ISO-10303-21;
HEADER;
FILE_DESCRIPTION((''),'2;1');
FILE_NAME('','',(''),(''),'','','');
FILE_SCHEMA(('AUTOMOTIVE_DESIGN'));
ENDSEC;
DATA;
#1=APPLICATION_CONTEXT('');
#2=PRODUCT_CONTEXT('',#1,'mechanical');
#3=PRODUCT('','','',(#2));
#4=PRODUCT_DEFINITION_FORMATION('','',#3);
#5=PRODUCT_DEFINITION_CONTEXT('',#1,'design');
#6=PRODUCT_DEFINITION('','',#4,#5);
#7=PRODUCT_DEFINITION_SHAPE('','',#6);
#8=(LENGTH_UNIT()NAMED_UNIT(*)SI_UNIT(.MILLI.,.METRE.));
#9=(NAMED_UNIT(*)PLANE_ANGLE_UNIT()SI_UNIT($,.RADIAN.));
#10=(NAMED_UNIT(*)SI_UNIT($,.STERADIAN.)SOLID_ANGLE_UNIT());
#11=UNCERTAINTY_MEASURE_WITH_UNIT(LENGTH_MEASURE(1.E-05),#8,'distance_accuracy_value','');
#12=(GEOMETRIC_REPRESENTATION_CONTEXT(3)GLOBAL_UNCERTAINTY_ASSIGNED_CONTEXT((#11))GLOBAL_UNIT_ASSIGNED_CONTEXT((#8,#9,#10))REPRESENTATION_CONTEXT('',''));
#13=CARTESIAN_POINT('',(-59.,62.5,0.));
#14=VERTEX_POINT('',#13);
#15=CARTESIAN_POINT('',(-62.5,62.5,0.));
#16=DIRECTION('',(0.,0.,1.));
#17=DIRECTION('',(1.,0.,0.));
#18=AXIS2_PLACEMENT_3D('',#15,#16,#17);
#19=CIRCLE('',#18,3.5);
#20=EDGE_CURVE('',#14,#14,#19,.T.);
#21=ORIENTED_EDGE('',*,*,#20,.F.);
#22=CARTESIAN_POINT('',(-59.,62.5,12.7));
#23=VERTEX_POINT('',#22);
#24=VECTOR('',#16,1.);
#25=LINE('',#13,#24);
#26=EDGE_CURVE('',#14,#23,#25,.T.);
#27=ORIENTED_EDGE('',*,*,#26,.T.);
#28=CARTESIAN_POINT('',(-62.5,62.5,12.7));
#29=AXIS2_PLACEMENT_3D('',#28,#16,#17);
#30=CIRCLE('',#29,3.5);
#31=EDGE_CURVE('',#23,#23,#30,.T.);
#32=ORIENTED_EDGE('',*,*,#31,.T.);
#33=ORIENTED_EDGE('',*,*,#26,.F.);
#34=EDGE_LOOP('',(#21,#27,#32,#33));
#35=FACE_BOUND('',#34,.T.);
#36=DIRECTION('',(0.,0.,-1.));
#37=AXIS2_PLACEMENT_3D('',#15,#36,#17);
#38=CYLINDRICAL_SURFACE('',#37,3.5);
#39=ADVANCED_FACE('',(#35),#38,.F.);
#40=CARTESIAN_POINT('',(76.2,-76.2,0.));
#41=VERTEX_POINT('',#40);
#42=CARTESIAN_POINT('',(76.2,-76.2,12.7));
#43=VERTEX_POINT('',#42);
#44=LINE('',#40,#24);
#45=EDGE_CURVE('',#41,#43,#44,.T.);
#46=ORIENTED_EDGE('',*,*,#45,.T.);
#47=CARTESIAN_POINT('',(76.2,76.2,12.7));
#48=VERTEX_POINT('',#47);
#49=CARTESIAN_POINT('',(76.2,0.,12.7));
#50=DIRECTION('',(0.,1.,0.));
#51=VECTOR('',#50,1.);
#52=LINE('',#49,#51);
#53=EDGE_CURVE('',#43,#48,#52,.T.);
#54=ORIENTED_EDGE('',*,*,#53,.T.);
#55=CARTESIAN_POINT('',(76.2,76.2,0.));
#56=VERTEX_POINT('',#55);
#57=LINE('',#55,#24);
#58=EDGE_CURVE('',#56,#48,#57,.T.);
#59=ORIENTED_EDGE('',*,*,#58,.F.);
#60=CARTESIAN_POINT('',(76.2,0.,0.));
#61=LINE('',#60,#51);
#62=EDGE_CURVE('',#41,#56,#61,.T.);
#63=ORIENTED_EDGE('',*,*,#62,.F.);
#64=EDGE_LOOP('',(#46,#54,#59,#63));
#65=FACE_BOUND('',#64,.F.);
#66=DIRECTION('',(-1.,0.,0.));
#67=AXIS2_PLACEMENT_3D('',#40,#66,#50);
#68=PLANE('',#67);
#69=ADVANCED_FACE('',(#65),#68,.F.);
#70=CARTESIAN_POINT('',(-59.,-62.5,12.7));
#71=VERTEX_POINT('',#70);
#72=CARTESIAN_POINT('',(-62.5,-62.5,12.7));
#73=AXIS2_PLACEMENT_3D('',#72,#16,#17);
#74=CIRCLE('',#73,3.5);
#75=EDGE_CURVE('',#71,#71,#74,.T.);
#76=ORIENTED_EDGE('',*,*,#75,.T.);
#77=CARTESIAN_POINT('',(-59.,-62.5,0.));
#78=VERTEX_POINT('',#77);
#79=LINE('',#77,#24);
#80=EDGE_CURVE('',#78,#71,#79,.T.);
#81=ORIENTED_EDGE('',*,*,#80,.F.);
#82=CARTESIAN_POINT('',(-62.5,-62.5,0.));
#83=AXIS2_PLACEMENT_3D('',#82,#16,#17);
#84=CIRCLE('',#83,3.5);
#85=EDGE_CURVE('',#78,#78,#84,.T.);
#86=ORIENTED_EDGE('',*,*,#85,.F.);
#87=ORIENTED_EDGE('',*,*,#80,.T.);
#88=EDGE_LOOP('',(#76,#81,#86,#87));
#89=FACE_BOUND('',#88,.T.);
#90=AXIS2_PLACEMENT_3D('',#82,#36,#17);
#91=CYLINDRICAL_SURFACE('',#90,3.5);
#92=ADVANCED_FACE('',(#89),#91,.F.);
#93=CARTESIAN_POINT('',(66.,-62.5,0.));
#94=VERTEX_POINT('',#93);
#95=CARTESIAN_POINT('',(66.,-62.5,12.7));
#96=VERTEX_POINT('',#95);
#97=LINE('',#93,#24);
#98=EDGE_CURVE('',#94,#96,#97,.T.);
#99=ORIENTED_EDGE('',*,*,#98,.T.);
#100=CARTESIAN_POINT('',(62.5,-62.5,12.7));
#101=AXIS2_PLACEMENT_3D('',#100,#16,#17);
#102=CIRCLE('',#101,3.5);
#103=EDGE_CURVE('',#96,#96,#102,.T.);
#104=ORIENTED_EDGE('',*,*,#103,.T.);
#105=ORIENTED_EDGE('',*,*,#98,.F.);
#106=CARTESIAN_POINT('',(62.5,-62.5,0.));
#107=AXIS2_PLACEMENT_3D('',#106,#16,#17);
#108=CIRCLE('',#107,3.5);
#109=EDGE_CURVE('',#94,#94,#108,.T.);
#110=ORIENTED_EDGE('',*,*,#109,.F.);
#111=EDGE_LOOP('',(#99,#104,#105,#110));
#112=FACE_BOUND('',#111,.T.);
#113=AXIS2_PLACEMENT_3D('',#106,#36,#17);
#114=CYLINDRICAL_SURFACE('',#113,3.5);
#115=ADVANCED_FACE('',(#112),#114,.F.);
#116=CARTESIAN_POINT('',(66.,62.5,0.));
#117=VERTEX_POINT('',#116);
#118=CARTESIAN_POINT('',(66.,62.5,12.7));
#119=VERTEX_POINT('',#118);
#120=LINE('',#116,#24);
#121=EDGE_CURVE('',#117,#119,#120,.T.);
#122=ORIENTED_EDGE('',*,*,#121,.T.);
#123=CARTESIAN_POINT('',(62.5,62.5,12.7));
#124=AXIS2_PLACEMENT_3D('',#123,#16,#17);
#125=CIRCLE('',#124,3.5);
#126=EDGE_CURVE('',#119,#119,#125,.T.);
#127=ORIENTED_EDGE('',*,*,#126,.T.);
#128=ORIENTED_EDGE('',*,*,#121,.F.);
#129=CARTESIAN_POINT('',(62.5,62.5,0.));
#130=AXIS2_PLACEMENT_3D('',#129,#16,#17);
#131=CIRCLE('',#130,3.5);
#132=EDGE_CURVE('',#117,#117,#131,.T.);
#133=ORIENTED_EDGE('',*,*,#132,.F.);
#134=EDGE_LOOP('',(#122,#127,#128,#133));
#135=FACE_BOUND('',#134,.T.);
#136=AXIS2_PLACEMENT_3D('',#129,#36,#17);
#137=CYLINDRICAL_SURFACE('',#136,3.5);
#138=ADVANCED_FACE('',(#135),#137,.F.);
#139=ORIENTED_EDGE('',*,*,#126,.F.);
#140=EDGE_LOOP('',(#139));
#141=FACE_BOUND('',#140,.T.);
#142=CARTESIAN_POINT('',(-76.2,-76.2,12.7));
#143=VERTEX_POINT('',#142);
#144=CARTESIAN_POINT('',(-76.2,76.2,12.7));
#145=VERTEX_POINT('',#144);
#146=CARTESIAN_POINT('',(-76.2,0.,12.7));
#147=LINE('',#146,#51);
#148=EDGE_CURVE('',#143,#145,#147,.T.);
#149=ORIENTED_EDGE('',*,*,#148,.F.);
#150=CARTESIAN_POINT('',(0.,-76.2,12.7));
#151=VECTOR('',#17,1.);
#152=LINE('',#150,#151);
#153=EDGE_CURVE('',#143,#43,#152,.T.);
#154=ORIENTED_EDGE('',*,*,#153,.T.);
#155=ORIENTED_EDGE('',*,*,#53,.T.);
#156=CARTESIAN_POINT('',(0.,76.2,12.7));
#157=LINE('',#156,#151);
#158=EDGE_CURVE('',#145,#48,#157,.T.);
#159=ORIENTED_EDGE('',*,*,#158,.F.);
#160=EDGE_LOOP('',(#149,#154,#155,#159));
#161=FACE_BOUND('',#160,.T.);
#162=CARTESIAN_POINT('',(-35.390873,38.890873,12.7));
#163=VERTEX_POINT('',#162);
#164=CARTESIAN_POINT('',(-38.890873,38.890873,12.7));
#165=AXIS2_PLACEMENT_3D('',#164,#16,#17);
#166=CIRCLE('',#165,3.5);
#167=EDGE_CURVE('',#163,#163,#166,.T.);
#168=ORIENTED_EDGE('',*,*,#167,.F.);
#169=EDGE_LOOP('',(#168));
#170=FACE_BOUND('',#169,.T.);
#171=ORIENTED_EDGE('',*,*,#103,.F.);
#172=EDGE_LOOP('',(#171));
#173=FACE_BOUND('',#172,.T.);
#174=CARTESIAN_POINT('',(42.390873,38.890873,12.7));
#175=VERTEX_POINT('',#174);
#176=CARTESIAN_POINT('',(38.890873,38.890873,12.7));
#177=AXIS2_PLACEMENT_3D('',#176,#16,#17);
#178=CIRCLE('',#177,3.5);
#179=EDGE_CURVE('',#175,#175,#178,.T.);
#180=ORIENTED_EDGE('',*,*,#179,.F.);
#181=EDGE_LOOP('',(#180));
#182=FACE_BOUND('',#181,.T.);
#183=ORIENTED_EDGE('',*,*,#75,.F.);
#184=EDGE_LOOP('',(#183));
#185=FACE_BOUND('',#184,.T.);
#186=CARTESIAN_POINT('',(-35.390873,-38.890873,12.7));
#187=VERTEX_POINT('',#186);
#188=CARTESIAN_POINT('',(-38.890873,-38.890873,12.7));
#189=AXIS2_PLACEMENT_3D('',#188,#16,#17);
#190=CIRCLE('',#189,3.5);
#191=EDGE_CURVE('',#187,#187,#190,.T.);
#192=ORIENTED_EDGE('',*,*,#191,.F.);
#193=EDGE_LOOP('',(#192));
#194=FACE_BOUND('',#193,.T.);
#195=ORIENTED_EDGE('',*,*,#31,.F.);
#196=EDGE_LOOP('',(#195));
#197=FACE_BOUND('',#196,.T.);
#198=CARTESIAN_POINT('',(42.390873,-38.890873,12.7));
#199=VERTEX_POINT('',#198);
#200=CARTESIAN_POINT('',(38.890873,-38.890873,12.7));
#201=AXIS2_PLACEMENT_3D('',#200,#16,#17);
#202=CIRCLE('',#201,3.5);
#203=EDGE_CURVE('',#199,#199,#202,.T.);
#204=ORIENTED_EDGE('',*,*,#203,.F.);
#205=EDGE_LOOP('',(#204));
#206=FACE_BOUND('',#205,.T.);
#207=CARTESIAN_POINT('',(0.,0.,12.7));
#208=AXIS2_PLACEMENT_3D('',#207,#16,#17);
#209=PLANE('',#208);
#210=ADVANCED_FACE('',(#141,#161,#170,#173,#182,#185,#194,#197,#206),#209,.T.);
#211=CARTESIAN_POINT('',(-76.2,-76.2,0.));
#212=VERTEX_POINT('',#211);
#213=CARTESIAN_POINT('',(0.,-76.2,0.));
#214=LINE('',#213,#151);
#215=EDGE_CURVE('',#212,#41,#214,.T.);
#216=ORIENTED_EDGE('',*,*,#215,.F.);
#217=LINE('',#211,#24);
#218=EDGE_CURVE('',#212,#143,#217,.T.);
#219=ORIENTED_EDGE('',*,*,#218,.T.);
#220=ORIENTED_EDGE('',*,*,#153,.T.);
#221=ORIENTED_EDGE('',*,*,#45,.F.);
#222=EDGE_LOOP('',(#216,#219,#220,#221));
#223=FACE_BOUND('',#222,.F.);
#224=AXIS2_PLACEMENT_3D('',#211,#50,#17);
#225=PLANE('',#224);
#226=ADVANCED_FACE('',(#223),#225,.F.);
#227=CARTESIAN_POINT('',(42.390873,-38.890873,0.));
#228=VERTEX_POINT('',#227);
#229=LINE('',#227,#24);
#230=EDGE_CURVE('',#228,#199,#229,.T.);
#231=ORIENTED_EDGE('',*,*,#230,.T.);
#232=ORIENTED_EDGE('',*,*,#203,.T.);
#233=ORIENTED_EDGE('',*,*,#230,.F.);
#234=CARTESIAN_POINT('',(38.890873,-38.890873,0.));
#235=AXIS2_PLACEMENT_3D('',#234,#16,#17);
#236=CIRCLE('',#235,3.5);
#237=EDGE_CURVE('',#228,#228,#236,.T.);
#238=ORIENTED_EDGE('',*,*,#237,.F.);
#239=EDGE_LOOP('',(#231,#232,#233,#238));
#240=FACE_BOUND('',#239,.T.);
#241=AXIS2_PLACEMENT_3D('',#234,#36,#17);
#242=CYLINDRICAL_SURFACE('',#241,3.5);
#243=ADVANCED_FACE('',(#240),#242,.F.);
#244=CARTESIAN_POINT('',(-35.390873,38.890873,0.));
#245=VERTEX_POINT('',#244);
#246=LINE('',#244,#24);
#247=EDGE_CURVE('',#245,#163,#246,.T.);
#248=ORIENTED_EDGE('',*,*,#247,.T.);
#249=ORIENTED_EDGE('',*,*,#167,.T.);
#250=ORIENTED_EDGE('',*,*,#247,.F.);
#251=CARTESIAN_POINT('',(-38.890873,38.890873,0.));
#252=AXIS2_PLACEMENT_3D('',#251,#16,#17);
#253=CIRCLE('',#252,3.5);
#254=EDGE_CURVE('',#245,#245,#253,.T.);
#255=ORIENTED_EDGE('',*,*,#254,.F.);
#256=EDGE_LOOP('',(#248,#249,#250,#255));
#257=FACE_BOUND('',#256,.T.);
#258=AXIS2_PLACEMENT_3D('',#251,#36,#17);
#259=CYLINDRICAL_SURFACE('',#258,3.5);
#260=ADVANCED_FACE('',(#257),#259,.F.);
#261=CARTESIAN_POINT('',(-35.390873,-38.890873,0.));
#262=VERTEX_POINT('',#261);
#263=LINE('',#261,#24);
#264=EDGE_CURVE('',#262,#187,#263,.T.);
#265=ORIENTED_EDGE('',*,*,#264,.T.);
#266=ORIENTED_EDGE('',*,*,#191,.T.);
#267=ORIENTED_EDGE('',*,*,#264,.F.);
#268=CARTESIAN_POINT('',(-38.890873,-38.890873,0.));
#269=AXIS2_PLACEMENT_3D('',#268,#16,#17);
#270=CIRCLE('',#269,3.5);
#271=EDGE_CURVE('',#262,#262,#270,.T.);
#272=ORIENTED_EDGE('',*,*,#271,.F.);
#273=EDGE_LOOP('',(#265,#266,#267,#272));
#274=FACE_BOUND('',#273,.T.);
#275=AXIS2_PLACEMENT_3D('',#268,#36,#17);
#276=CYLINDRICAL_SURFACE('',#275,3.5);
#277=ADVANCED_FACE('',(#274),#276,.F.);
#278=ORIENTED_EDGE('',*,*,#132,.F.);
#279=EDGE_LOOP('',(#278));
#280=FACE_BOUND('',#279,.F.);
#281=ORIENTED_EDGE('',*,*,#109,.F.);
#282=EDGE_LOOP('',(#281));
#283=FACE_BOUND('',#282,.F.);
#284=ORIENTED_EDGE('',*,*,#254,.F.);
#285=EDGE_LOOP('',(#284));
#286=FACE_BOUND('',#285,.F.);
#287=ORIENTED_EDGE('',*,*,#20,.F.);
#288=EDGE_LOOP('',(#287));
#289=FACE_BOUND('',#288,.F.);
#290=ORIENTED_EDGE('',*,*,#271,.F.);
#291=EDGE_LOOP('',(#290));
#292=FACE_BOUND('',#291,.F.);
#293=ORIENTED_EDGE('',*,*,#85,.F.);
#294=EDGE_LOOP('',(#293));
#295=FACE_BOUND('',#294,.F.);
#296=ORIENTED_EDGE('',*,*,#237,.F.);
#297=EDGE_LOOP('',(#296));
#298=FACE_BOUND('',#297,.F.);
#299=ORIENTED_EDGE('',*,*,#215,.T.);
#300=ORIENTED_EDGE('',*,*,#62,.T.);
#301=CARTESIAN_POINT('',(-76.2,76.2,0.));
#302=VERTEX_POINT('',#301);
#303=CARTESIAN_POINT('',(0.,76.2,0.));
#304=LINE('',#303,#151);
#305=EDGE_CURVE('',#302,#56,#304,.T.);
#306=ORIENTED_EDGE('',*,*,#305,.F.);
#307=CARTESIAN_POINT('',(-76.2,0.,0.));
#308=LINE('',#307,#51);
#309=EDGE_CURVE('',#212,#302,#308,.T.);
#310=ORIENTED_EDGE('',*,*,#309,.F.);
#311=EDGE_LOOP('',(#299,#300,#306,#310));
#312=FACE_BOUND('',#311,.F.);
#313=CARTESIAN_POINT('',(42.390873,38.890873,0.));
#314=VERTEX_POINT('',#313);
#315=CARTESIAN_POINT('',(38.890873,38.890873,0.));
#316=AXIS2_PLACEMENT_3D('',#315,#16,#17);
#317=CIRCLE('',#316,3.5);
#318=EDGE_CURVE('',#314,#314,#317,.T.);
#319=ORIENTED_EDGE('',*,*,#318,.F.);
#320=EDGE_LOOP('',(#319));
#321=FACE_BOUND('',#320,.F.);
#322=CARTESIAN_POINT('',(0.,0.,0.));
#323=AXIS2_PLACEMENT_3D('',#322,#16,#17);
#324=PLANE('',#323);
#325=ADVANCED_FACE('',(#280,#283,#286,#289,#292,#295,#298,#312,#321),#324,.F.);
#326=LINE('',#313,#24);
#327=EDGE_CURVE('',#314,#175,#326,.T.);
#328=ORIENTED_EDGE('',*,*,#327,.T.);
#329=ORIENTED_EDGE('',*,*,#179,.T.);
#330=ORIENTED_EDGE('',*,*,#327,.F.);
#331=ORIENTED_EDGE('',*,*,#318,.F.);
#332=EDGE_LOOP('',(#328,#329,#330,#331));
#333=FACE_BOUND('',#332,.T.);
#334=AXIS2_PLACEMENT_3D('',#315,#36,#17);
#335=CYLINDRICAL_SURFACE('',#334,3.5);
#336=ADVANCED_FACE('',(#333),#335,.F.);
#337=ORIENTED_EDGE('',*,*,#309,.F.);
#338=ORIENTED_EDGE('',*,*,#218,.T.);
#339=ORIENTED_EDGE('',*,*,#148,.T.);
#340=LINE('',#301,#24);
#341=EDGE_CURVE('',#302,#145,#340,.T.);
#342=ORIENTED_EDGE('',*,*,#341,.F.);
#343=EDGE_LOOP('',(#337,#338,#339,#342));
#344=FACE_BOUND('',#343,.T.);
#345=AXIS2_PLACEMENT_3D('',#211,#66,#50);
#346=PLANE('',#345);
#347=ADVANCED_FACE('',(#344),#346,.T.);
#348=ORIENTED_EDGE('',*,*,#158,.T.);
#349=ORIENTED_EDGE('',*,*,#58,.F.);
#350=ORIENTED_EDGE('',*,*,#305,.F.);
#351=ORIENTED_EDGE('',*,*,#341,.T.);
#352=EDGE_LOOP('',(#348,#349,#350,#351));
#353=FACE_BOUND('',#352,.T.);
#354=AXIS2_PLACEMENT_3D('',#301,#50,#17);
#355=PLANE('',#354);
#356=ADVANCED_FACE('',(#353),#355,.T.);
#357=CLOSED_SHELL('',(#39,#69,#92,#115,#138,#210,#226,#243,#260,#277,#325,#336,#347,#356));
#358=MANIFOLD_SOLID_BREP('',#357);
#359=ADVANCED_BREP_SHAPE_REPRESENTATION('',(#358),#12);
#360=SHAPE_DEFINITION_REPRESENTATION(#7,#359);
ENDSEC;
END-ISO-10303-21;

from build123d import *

# Parameters (mm, degrees)
F0_W     = 152.4
F0_H     = 152.4
F0_R     = 3.5
F1_DEPTH = 12.7


with BuildPart() as f1:
    # F0 (on Top) → F1 (new body)
    with BuildSketch(Plane.XY):
        Rectangle(F0_W, F0_H)
        with Locations((-62.5, -62.5)):
            Circle(F0_R, mode=Mode.SUBTRACT)
        with Locations((-38.890873, -38.890873)):
            Circle(F0_R, mode=Mode.SUBTRACT)
        with Locations((62.5, -62.5)):
            Circle(F0_R, mode=Mode.SUBTRACT)
        with Locations((38.890873, -38.890873)):
            Circle(F0_R, mode=Mode.SUBTRACT)
        with Locations((-38.890873, 38.890873)):
            Circle(F0_R, mode=Mode.SUBTRACT)
        with Locations((-62.5, 62.5)):
            Circle(F0_R, mode=Mode.SUBTRACT)
        with Locations((38.890873, 38.890873)):
            Circle(F0_R, mode=Mode.SUBTRACT)
        with Locations((62.5, 62.5)):
            Circle(F0_R, mode=Mode.SUBTRACT)
    extrude(amount=F1_DEPTH)


solid = f1.part
